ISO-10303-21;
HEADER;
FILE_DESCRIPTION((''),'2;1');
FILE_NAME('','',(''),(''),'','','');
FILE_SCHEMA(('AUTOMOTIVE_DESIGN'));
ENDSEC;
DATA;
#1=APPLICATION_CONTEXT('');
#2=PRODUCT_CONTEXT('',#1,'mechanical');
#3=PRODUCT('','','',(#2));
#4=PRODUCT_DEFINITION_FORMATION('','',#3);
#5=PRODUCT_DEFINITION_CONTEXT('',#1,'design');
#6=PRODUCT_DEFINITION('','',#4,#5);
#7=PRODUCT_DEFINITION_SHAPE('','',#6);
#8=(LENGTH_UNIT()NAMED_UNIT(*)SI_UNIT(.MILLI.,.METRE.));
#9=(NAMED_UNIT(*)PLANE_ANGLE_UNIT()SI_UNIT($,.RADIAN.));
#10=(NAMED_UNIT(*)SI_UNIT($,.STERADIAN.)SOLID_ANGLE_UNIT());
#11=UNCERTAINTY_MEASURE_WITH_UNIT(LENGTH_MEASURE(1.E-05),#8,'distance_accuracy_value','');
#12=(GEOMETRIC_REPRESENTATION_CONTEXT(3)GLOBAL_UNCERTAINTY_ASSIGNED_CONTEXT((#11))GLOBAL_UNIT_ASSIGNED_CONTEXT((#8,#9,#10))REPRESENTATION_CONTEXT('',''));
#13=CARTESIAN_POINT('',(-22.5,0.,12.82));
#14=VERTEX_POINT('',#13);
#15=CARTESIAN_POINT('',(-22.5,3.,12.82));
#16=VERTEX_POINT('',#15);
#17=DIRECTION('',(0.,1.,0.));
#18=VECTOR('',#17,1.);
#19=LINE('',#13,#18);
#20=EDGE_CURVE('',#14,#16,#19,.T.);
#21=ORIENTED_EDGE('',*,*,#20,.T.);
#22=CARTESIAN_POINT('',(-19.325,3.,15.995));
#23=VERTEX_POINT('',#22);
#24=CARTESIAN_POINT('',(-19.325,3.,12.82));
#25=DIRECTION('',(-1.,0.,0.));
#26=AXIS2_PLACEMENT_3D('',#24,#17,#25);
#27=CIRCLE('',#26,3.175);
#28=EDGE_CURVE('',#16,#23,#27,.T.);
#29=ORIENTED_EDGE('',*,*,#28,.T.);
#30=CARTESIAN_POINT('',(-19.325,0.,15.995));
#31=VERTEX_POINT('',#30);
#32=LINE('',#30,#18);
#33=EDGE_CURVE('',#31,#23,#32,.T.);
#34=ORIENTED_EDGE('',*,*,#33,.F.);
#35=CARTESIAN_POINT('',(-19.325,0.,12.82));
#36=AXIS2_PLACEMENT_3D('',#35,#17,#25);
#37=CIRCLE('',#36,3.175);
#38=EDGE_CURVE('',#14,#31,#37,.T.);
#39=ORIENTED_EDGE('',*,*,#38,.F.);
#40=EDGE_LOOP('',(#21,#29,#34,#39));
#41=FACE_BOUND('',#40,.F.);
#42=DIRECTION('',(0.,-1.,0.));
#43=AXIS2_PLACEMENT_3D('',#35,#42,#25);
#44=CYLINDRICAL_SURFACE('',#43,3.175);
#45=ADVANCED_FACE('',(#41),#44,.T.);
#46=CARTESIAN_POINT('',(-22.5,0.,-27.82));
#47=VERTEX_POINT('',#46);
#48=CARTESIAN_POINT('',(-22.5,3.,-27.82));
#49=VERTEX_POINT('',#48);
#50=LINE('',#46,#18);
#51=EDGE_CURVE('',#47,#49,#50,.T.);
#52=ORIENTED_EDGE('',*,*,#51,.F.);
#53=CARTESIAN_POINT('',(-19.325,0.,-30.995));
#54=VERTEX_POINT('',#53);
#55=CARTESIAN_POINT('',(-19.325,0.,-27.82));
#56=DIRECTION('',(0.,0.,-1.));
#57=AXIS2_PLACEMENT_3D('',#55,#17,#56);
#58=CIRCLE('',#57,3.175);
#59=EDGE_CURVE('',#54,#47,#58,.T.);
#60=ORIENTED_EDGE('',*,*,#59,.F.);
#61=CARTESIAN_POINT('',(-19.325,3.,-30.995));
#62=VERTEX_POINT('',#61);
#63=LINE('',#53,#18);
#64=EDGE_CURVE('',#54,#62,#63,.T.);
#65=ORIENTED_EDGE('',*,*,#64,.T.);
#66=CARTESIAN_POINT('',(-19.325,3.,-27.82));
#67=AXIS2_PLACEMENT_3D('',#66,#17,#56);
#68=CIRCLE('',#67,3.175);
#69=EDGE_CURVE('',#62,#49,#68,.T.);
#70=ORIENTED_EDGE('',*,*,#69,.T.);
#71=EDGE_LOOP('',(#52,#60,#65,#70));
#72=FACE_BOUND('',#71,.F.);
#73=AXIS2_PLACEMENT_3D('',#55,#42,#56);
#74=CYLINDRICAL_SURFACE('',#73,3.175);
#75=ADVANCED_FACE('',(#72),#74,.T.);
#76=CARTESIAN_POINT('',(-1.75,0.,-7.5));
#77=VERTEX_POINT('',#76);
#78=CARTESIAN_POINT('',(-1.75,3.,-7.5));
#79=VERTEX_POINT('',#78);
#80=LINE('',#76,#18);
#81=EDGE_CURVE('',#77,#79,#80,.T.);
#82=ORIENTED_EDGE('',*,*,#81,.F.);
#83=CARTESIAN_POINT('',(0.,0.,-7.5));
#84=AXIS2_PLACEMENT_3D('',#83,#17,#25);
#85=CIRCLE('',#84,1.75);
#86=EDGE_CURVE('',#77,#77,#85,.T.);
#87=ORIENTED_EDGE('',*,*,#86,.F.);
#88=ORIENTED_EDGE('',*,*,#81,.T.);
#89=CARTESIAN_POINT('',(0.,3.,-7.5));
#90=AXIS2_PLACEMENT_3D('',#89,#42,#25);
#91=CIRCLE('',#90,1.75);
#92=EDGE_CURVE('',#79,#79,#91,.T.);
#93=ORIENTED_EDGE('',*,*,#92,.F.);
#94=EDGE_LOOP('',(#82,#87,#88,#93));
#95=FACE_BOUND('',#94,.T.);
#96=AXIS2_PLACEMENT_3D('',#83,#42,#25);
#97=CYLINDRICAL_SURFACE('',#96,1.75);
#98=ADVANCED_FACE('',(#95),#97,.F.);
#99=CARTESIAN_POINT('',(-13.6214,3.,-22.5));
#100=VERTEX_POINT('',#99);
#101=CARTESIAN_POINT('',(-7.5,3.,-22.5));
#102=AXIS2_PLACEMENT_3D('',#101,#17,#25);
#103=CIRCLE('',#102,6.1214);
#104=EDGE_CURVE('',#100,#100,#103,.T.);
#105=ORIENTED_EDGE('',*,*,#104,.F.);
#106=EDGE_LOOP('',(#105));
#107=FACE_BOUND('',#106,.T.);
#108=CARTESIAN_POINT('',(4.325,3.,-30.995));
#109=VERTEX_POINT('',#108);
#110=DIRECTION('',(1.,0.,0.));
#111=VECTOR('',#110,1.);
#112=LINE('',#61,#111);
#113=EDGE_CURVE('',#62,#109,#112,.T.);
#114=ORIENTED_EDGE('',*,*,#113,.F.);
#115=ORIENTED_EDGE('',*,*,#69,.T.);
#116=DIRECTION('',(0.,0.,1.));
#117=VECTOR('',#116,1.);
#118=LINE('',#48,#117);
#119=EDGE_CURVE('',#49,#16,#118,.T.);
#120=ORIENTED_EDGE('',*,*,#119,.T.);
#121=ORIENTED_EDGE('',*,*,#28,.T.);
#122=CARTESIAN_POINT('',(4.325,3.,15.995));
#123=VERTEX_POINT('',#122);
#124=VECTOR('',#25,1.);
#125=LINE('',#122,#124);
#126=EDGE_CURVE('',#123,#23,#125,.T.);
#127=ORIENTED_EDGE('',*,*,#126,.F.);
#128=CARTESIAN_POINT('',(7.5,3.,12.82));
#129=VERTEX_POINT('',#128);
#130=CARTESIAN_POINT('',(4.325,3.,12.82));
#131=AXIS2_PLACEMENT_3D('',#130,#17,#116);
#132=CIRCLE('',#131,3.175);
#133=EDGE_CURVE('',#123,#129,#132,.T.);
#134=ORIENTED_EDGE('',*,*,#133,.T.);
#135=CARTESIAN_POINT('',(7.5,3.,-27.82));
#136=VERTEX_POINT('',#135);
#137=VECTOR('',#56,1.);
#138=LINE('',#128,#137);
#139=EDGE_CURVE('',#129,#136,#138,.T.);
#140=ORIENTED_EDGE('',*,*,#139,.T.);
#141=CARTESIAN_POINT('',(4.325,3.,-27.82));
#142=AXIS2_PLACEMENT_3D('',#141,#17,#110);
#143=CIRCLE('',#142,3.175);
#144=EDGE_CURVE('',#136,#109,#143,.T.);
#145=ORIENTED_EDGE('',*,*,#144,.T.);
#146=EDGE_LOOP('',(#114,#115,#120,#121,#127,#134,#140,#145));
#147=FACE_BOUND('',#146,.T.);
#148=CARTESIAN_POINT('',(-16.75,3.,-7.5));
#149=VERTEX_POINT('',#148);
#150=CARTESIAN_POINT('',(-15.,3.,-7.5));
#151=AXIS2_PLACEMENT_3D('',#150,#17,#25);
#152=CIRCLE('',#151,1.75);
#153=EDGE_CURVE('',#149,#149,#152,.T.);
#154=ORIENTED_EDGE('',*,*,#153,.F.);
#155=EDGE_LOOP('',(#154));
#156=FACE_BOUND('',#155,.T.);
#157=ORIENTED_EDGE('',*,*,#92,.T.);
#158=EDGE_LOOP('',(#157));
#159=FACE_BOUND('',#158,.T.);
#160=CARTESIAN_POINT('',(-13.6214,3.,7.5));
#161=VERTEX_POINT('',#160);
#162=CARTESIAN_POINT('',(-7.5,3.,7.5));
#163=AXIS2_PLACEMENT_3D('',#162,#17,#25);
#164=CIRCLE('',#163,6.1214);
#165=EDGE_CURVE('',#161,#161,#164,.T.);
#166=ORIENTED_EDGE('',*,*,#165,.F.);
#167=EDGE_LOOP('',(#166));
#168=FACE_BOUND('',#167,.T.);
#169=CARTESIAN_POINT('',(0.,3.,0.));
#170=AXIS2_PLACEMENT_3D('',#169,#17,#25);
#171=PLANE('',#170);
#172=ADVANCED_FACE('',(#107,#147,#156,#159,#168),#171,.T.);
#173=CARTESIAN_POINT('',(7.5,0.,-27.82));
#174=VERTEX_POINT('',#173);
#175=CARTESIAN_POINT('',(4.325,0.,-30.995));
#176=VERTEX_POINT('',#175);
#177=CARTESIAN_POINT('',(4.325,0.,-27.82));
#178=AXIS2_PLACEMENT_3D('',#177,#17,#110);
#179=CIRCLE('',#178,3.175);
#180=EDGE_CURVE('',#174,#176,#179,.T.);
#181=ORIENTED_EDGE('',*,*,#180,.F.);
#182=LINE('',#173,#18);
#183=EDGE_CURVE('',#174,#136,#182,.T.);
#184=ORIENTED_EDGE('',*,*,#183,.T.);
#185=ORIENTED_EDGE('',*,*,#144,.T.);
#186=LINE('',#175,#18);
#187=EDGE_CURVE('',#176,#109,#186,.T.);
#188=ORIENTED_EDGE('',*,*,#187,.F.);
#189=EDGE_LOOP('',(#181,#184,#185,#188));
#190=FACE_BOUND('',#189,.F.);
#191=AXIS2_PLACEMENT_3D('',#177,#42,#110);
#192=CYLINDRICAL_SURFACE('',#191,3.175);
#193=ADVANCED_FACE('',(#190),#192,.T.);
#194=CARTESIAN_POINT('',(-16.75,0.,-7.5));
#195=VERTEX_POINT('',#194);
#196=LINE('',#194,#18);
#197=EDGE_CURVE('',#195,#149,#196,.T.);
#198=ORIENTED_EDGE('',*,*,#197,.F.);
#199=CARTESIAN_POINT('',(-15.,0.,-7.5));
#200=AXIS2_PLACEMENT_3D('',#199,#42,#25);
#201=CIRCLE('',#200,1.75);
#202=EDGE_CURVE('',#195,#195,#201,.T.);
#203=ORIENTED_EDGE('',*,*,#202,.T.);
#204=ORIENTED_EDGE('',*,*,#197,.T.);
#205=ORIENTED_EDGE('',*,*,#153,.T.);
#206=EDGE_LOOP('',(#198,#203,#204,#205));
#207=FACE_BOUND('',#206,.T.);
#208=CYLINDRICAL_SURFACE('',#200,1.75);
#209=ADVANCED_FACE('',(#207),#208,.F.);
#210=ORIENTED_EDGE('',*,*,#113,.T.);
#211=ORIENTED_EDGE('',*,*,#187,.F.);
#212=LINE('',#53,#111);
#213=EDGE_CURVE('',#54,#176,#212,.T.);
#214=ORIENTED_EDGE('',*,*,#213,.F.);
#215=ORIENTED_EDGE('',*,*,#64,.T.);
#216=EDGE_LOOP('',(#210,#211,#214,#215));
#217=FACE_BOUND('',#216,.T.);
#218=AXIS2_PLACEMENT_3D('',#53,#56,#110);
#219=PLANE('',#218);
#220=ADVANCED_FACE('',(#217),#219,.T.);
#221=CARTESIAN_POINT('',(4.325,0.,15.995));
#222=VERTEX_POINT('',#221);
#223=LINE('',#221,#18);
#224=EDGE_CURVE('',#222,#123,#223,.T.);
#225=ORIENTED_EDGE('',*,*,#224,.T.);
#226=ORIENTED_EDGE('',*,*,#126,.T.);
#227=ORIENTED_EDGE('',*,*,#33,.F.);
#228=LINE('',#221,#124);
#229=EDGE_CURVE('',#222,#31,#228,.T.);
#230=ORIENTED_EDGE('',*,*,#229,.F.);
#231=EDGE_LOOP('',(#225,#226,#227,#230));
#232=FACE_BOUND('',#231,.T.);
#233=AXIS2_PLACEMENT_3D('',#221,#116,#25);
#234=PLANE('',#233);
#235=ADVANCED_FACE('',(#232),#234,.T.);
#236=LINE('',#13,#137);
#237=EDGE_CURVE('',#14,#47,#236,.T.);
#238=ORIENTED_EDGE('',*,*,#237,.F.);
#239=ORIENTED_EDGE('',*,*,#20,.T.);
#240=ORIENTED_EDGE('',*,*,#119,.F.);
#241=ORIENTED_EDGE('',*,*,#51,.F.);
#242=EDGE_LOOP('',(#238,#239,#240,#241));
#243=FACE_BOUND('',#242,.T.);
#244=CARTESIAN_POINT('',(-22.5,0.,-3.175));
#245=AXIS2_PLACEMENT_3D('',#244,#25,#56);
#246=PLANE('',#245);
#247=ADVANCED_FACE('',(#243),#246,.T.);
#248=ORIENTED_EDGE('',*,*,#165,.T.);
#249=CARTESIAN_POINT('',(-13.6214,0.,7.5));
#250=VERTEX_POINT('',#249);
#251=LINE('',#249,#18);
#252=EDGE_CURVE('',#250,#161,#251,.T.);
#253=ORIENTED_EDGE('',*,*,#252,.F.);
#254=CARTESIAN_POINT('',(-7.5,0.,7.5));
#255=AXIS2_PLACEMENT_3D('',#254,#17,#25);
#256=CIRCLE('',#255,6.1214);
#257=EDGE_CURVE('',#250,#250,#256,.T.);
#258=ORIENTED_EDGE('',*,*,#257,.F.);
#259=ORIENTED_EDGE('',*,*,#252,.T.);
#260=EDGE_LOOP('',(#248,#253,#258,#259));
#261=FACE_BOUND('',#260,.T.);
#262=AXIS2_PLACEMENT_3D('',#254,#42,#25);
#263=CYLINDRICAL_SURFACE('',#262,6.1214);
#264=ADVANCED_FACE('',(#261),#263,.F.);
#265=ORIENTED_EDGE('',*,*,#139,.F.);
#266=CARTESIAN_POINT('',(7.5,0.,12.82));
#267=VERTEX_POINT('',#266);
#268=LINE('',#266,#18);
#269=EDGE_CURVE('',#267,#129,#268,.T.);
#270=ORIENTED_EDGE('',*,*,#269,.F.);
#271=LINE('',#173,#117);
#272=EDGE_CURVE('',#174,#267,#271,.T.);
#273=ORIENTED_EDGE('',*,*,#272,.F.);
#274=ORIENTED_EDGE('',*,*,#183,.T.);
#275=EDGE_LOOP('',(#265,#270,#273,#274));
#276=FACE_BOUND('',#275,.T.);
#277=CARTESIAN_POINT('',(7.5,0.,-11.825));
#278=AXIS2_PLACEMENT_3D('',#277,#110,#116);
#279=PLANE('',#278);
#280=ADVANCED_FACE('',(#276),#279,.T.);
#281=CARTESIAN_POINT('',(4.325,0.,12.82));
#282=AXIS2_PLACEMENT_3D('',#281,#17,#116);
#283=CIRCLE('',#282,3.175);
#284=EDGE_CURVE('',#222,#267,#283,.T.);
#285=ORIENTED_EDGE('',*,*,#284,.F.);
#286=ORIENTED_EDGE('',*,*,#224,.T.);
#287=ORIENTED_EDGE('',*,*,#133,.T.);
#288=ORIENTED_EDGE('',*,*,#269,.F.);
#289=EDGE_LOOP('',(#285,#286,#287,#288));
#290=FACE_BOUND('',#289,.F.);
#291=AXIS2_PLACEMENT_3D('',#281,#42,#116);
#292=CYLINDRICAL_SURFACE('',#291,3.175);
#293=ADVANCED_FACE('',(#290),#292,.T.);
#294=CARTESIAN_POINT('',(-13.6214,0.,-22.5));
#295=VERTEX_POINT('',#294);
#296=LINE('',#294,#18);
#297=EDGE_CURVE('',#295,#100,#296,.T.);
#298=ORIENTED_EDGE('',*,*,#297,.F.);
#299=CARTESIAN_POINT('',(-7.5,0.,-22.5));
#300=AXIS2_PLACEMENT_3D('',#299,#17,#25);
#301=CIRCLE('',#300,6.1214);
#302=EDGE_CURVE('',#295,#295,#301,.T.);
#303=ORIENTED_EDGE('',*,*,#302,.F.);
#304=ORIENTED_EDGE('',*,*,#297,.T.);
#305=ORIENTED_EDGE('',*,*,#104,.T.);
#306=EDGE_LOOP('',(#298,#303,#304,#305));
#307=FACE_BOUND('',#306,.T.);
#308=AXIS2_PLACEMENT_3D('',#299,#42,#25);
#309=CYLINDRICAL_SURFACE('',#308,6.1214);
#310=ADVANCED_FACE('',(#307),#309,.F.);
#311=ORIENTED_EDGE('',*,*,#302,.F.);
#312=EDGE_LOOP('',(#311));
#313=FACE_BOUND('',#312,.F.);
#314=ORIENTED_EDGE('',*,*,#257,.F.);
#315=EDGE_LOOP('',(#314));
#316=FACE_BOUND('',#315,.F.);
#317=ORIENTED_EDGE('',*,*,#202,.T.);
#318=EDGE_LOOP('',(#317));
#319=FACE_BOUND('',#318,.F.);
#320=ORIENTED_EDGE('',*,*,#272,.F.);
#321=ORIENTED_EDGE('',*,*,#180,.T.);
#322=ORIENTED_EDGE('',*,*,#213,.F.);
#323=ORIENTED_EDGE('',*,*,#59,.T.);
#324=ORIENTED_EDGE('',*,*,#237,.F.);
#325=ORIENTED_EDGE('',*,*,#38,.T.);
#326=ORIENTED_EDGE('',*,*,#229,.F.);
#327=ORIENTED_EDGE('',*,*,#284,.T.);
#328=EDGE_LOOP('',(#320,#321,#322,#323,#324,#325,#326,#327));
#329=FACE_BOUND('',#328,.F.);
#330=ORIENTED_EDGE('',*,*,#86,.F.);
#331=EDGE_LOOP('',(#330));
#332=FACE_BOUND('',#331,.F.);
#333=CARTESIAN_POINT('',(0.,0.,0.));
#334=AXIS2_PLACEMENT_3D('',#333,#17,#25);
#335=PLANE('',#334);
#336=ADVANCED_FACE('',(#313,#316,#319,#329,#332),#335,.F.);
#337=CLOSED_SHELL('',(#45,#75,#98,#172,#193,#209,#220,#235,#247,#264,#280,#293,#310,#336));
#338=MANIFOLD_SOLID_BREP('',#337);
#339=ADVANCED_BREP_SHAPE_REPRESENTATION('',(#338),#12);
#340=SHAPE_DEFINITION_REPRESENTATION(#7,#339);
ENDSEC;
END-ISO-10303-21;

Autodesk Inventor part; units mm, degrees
ref_plane "YZ Plane" through (0, 0, 0) normal (1, 0, 0) x (0, 1, 0)
ref_plane "XZ Plane" through (0, 0, 0) normal (0, 1, 0) x (-1, 0, 0)
ref_plane "XY Plane" through (0, 0, 0) normal (0, 0, 1) x (1, 0, 0)
sketch "Sketch1" plane through (0, 0, 0) normal (0, 1, 0) x (-1, 0, 0)
  line L0 (0, 0) -> (15, 0)
  line L1 (15, 0) -> (15, -15)
  line L2 (15, -15) -> (0, -15)
  line L3 (0, -15) -> (0, 0)
  circle A0 centre (7.5, -22.5) radius 6.1214
  line L4 (15, -7.5) -> (0, -7.5) construction
  circle A1 centre (7.5, 7.5) radius 6.1214
  line L5 (15, 0) -> (0, 0)
  line L6 (0, 3.175) -> (0, 11.825)
  line L7 (3.175, 15) -> (11.825, 15)
  line L8 (15, 11.825) -> (15, 3.175)
  line L9 (15, -15) -> (0, -15)
  line L10 (0, -18.175) -> (0, -26.825)
  line L11 (3.175, -30) -> (11.825, -30)
  line L12 (15, -26.825) -> (15, -18.175)
  arc A2 (15, 11.825) -> (11.825, 15) centre (11.825, 11.825) ccw
  arc A3 (3.175, 15) -> (0, 11.825) centre (3.175, 11.825) ccw
  arc A4 (0, -26.825) -> (3.175, -30) centre (3.175, -26.825) ccw
  arc A5 (11.825, -30) -> (15, -26.825) centre (11.825, -26.825) ccw
  line L13 (18.175, 0) -> (19.325, 0)
  line L14 (22.5, -3.175) -> (22.5, -11.825)
  line L15 (19.325, -15) -> (18.175, -15)
  line L16 (15, -15) -> (15, 0)
  line L17 (-3.175, -15) -> (-4.325, -15)
  line L18 (-7.5, -11.825) -> (-7.5, -3.175)
  line L19 (-4.325, 0) -> (-3.175, 0)
  line L20 (0, 0) -> (0, -15)
  circle A6 centre (0, -7.5) radius 1.75
  circle A7 centre (15, -7.5) radius 1.75
  arc A8 (22.5, -3.175) -> (19.325, 0) centre (19.325, -3.175) ccw
  arc A9 (19.325, -15) -> (22.5, -11.825) centre (19.325, -11.825) ccw
  arc A10 (-7.5, -11.825) -> (-4.325, -15) centre (-4.325, -11.825) ccw
  arc A11 (-4.325, 0) -> (-7.5, -3.175) centre (-4.325, -3.175) ccw
  arc A12 (-3.175, 0) -> (0, 3.175) centre (-3.175, 3.175) ccw
  arc A13 (0, -18.175) -> (-3.175, -15) centre (-3.175, -18.175) ccw
  arc A14 (18.175, -15) -> (15, -18.175) centre (18.175, -18.175) ccw
  arc A15 (15, 3.175) -> (18.175, 0) centre (18.175, 3.175) ccw
  line L21 (19.325, -30.995) -> (-4.325, -30.995)
  line L22 (-7.5, -27.82) -> (-7.5, 12.82)
  line L23 (-4.325, 15.995) -> (19.325, 15.995)
  line L24 (22.5, 12.82) -> (22.5, -27.82)
  arc A16 (-4.325, 15.995) -> (-7.5, 12.82) centre (-4.325, 12.82) ccw
  arc A17 (22.5, 12.82) -> (19.325, 15.995) centre (19.325, 12.82) ccw
  arc A18 (19.325, -30.995) -> (22.5, -27.82) centre (19.325, -27.82) ccw
  arc A19 (-7.5, -27.82) -> (-4.325, -30.995) centre (-4.325, -27.82) ccw
  point P0 (0, 15)
  point P1 (15, 15)
  point P2 (0, -30)
  point P3 (15, -30)
  point P4 (22.5, -15)
  point P5 (22.5, 0)
  point P6 (-7.5, 0)
  point P7 (-7.5, -15)
  point P8 (-7.5, 15.995)
  point P9 (-7.5, -30.995)
  point P10 (-7.5, -7.5)
  dimension "d0" = 15
  dimension "d1" = 15
  dimension "d2" = 12.2428
  dimension "d3" = 7.5
  dimension "d4" = 7.5
  dimension "d5" = 15
  dimension "d6" = 15
  dimension "d7" = 15
  dimension "d8" = 15
  dimension "d9" = 3.175
  dimension "d10" = 7.5
  dimension "d11" = 15
  dimension "d12" = 7.5
  dimension "d13" = 15
  dimension "d14" = 3.5
  dimension "d15" = 3.5
  dimension "d16" = 3.175
  dimension "d19" = 46.99
  dimension "d20" = 3.175
extrude "Extrusion1" add sketch "Sketch1" along normal blind 3 contours L0 L1 A7 L2 L3 A6 | A12 L19 A11 L22 A16 L23 A17 L24 A8 L13 A15 L8 A2 L7 A3 L6 | L6 A3 L7 A2 L8 A15 L13 A8 L14 A9 L15 A14 L12 A5 L11 A4 L10 A13 L17 A10 L18 A11 L19 A12 | A10 L17 A13 L10 A4 L11 A5 L12 A14 L15 A9 L24 A18 L21 A19 L22
properties part number "Bearing Bushing_3DPrint"
